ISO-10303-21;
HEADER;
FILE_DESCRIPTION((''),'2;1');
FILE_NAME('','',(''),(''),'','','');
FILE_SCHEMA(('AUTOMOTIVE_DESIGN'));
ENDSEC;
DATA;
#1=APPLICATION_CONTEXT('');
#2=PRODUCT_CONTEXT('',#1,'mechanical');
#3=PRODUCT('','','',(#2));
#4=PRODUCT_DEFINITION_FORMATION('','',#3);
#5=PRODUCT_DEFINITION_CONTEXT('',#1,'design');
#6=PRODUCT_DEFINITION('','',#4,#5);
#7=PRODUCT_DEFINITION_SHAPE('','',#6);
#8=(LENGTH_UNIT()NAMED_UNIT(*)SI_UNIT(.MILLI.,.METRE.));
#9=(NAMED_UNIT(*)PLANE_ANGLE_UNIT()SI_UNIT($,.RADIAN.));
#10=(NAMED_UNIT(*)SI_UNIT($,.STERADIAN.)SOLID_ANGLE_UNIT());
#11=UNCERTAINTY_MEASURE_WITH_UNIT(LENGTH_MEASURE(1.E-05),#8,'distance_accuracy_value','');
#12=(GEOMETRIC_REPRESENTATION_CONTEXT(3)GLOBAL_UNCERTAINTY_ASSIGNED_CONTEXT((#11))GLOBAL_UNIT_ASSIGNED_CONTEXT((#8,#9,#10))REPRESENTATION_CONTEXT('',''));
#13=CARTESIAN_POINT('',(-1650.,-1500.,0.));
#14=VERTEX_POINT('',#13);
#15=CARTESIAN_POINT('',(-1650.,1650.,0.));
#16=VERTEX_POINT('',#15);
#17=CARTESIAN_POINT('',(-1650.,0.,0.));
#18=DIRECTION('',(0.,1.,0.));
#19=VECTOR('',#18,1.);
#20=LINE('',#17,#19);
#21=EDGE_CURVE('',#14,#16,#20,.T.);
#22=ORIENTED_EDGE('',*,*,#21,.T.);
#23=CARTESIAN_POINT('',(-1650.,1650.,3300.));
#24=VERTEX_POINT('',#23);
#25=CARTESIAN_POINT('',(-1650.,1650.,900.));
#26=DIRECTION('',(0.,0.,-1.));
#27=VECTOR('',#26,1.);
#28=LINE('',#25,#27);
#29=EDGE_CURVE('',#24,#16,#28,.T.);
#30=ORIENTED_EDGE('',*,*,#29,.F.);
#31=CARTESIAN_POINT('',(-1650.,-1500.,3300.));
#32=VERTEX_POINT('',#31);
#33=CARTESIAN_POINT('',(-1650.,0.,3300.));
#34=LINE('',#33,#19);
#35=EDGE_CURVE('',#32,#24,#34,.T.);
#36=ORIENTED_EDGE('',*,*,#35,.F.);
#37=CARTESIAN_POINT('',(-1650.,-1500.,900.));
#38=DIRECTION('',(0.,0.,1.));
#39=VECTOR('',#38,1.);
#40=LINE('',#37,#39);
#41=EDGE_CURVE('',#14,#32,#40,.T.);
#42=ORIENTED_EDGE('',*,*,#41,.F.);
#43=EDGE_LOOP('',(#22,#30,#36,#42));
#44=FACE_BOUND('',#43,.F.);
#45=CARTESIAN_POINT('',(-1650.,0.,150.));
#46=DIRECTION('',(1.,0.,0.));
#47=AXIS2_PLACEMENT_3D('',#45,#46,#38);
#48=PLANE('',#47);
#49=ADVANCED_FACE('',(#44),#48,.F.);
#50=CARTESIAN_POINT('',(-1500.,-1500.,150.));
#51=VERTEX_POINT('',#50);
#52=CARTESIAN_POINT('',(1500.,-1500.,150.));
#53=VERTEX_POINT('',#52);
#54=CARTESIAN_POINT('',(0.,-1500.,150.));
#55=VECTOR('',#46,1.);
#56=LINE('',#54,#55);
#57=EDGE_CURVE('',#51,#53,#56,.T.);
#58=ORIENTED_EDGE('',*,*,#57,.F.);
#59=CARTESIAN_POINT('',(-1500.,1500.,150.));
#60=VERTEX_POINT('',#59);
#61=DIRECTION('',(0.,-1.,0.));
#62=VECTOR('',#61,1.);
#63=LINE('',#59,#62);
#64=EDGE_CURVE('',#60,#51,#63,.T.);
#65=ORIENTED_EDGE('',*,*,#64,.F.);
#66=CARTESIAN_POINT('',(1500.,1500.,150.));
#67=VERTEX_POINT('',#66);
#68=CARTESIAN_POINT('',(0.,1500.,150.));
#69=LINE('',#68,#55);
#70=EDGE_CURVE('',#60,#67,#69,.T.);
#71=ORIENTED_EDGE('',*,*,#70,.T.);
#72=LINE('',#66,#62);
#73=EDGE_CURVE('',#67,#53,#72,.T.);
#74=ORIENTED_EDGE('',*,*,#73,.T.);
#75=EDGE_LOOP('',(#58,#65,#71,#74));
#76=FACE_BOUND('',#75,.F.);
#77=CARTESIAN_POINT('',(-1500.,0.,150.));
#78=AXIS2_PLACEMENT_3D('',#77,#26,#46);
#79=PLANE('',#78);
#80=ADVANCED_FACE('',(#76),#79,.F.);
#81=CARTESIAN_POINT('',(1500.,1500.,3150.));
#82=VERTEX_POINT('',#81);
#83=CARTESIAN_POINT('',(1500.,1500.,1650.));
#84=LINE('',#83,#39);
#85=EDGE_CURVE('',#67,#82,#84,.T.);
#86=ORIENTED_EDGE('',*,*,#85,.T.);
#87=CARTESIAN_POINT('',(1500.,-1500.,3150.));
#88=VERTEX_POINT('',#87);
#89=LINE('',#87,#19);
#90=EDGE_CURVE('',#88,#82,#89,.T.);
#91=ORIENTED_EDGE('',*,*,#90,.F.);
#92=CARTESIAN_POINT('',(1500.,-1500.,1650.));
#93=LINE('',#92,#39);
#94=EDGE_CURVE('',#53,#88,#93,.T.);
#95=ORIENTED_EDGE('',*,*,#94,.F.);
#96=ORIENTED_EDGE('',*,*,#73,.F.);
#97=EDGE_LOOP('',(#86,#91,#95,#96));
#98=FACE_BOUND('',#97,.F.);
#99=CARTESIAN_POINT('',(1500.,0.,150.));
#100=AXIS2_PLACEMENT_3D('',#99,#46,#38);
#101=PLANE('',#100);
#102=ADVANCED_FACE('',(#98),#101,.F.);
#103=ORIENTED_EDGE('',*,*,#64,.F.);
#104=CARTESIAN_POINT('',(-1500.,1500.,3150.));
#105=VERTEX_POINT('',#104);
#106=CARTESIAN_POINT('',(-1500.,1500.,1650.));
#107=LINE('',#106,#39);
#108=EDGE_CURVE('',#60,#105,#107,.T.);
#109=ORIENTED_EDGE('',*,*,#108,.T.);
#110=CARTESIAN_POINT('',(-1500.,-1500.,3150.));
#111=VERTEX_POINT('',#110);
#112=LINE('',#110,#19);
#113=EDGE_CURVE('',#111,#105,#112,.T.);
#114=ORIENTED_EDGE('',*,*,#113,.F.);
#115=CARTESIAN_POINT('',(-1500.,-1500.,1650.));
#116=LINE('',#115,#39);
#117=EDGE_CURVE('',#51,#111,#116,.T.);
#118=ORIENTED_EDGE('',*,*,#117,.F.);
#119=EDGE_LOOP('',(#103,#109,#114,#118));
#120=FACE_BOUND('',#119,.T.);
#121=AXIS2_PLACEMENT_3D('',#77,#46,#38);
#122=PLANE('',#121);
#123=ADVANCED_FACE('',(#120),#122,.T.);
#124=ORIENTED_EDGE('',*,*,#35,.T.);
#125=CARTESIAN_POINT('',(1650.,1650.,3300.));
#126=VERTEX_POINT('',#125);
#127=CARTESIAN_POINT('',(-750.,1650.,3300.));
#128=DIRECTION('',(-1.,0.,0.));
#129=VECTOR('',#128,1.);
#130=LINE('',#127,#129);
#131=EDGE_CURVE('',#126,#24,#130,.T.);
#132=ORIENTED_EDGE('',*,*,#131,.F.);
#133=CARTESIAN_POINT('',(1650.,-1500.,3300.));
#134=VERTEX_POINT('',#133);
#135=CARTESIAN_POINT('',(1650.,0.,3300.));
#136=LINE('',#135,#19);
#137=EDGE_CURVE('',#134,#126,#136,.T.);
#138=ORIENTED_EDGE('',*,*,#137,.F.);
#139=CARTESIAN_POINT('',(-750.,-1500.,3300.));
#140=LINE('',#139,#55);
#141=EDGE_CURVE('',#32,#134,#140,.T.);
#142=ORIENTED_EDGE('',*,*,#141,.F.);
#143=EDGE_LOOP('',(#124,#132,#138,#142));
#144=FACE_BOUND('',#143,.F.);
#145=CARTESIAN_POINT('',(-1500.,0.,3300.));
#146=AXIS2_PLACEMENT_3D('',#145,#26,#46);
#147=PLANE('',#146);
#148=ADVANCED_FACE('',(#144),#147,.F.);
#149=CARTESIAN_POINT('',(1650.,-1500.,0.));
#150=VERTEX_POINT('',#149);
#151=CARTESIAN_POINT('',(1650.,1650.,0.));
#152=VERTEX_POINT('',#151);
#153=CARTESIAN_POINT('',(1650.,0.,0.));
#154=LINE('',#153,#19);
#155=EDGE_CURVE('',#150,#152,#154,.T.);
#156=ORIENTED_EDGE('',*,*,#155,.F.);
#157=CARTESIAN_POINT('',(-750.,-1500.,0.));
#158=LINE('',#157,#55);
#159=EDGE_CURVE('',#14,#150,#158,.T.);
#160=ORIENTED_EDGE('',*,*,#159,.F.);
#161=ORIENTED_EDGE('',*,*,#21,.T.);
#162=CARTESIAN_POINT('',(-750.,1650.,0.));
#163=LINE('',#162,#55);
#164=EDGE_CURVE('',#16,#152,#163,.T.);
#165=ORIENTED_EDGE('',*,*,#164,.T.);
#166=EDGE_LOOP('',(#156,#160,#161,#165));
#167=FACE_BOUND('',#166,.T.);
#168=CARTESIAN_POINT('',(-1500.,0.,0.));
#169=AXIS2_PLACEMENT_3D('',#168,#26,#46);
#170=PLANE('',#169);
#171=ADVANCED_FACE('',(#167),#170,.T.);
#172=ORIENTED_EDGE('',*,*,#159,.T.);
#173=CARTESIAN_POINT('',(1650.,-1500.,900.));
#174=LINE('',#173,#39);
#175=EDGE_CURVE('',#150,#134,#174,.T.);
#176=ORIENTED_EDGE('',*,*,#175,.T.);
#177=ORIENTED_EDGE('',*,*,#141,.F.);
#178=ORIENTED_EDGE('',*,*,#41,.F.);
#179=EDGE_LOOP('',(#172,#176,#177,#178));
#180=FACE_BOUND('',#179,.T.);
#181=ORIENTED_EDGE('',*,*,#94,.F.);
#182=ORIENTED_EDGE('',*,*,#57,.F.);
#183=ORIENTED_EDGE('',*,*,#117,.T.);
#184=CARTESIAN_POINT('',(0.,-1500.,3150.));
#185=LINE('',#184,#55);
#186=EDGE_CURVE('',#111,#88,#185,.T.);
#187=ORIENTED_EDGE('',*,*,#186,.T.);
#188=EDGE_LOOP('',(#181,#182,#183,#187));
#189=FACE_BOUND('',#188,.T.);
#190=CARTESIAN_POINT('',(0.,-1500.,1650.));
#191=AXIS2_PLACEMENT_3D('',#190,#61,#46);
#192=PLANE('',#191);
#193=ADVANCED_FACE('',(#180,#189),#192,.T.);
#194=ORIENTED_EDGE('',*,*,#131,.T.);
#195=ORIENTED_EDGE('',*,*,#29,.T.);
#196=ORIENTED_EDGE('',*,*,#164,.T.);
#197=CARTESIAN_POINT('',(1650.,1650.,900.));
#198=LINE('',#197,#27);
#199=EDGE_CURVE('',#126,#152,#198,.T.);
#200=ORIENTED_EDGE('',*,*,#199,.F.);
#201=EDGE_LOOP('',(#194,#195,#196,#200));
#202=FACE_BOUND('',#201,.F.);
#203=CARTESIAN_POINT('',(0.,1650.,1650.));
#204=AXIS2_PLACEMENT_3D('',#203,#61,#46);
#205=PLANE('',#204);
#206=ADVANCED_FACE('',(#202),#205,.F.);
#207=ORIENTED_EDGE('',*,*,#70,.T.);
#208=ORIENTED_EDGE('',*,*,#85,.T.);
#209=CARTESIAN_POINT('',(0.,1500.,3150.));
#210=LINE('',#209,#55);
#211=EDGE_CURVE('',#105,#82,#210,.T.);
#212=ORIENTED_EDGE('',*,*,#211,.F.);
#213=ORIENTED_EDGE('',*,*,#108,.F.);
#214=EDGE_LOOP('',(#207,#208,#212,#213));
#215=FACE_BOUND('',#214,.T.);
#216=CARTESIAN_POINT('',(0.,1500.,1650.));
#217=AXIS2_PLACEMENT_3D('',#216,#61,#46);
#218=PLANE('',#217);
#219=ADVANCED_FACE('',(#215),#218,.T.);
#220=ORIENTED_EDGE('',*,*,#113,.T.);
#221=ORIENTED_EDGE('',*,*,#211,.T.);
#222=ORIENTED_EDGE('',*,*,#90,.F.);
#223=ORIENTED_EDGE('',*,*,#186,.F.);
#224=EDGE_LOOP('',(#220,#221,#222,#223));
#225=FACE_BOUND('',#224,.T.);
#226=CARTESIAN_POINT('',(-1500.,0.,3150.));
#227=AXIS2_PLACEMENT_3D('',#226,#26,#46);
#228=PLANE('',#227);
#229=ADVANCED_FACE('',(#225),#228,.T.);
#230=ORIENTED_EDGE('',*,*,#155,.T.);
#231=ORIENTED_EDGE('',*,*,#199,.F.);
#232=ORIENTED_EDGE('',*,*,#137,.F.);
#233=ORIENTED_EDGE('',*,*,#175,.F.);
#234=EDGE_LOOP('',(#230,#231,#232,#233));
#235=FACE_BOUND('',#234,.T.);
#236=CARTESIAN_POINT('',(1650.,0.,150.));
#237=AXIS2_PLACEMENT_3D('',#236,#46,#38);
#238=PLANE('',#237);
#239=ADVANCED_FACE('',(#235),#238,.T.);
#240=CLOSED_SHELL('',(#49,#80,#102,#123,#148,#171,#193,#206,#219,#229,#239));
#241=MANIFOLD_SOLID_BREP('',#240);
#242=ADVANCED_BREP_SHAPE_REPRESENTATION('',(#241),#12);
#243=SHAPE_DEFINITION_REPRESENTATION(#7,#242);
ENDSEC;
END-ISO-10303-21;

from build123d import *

# Parameters (mm, degrees)
F0_W     = 3000
F0_H     = 3000
F1_DEPTH = 1500
F2_T     = 150


with BuildPart() as f1:
    # F0 (on Front) → F1 (new body, symmetric)
    with BuildSketch(Plane.XZ):
        with Locations((0, 1650)):
            Rectangle(F0_W, F0_H)
    extrude(amount=F1_DEPTH, both=True)

    # F2
    f2_openings = [f1.faces().sort_by_distance(p)[0] for p in [
        (0, -1500, 1650),
    ]]
    offset(amount=F2_T, openings=f2_openings, kind=Kind.INTERSECTION)


solid = f1.part
